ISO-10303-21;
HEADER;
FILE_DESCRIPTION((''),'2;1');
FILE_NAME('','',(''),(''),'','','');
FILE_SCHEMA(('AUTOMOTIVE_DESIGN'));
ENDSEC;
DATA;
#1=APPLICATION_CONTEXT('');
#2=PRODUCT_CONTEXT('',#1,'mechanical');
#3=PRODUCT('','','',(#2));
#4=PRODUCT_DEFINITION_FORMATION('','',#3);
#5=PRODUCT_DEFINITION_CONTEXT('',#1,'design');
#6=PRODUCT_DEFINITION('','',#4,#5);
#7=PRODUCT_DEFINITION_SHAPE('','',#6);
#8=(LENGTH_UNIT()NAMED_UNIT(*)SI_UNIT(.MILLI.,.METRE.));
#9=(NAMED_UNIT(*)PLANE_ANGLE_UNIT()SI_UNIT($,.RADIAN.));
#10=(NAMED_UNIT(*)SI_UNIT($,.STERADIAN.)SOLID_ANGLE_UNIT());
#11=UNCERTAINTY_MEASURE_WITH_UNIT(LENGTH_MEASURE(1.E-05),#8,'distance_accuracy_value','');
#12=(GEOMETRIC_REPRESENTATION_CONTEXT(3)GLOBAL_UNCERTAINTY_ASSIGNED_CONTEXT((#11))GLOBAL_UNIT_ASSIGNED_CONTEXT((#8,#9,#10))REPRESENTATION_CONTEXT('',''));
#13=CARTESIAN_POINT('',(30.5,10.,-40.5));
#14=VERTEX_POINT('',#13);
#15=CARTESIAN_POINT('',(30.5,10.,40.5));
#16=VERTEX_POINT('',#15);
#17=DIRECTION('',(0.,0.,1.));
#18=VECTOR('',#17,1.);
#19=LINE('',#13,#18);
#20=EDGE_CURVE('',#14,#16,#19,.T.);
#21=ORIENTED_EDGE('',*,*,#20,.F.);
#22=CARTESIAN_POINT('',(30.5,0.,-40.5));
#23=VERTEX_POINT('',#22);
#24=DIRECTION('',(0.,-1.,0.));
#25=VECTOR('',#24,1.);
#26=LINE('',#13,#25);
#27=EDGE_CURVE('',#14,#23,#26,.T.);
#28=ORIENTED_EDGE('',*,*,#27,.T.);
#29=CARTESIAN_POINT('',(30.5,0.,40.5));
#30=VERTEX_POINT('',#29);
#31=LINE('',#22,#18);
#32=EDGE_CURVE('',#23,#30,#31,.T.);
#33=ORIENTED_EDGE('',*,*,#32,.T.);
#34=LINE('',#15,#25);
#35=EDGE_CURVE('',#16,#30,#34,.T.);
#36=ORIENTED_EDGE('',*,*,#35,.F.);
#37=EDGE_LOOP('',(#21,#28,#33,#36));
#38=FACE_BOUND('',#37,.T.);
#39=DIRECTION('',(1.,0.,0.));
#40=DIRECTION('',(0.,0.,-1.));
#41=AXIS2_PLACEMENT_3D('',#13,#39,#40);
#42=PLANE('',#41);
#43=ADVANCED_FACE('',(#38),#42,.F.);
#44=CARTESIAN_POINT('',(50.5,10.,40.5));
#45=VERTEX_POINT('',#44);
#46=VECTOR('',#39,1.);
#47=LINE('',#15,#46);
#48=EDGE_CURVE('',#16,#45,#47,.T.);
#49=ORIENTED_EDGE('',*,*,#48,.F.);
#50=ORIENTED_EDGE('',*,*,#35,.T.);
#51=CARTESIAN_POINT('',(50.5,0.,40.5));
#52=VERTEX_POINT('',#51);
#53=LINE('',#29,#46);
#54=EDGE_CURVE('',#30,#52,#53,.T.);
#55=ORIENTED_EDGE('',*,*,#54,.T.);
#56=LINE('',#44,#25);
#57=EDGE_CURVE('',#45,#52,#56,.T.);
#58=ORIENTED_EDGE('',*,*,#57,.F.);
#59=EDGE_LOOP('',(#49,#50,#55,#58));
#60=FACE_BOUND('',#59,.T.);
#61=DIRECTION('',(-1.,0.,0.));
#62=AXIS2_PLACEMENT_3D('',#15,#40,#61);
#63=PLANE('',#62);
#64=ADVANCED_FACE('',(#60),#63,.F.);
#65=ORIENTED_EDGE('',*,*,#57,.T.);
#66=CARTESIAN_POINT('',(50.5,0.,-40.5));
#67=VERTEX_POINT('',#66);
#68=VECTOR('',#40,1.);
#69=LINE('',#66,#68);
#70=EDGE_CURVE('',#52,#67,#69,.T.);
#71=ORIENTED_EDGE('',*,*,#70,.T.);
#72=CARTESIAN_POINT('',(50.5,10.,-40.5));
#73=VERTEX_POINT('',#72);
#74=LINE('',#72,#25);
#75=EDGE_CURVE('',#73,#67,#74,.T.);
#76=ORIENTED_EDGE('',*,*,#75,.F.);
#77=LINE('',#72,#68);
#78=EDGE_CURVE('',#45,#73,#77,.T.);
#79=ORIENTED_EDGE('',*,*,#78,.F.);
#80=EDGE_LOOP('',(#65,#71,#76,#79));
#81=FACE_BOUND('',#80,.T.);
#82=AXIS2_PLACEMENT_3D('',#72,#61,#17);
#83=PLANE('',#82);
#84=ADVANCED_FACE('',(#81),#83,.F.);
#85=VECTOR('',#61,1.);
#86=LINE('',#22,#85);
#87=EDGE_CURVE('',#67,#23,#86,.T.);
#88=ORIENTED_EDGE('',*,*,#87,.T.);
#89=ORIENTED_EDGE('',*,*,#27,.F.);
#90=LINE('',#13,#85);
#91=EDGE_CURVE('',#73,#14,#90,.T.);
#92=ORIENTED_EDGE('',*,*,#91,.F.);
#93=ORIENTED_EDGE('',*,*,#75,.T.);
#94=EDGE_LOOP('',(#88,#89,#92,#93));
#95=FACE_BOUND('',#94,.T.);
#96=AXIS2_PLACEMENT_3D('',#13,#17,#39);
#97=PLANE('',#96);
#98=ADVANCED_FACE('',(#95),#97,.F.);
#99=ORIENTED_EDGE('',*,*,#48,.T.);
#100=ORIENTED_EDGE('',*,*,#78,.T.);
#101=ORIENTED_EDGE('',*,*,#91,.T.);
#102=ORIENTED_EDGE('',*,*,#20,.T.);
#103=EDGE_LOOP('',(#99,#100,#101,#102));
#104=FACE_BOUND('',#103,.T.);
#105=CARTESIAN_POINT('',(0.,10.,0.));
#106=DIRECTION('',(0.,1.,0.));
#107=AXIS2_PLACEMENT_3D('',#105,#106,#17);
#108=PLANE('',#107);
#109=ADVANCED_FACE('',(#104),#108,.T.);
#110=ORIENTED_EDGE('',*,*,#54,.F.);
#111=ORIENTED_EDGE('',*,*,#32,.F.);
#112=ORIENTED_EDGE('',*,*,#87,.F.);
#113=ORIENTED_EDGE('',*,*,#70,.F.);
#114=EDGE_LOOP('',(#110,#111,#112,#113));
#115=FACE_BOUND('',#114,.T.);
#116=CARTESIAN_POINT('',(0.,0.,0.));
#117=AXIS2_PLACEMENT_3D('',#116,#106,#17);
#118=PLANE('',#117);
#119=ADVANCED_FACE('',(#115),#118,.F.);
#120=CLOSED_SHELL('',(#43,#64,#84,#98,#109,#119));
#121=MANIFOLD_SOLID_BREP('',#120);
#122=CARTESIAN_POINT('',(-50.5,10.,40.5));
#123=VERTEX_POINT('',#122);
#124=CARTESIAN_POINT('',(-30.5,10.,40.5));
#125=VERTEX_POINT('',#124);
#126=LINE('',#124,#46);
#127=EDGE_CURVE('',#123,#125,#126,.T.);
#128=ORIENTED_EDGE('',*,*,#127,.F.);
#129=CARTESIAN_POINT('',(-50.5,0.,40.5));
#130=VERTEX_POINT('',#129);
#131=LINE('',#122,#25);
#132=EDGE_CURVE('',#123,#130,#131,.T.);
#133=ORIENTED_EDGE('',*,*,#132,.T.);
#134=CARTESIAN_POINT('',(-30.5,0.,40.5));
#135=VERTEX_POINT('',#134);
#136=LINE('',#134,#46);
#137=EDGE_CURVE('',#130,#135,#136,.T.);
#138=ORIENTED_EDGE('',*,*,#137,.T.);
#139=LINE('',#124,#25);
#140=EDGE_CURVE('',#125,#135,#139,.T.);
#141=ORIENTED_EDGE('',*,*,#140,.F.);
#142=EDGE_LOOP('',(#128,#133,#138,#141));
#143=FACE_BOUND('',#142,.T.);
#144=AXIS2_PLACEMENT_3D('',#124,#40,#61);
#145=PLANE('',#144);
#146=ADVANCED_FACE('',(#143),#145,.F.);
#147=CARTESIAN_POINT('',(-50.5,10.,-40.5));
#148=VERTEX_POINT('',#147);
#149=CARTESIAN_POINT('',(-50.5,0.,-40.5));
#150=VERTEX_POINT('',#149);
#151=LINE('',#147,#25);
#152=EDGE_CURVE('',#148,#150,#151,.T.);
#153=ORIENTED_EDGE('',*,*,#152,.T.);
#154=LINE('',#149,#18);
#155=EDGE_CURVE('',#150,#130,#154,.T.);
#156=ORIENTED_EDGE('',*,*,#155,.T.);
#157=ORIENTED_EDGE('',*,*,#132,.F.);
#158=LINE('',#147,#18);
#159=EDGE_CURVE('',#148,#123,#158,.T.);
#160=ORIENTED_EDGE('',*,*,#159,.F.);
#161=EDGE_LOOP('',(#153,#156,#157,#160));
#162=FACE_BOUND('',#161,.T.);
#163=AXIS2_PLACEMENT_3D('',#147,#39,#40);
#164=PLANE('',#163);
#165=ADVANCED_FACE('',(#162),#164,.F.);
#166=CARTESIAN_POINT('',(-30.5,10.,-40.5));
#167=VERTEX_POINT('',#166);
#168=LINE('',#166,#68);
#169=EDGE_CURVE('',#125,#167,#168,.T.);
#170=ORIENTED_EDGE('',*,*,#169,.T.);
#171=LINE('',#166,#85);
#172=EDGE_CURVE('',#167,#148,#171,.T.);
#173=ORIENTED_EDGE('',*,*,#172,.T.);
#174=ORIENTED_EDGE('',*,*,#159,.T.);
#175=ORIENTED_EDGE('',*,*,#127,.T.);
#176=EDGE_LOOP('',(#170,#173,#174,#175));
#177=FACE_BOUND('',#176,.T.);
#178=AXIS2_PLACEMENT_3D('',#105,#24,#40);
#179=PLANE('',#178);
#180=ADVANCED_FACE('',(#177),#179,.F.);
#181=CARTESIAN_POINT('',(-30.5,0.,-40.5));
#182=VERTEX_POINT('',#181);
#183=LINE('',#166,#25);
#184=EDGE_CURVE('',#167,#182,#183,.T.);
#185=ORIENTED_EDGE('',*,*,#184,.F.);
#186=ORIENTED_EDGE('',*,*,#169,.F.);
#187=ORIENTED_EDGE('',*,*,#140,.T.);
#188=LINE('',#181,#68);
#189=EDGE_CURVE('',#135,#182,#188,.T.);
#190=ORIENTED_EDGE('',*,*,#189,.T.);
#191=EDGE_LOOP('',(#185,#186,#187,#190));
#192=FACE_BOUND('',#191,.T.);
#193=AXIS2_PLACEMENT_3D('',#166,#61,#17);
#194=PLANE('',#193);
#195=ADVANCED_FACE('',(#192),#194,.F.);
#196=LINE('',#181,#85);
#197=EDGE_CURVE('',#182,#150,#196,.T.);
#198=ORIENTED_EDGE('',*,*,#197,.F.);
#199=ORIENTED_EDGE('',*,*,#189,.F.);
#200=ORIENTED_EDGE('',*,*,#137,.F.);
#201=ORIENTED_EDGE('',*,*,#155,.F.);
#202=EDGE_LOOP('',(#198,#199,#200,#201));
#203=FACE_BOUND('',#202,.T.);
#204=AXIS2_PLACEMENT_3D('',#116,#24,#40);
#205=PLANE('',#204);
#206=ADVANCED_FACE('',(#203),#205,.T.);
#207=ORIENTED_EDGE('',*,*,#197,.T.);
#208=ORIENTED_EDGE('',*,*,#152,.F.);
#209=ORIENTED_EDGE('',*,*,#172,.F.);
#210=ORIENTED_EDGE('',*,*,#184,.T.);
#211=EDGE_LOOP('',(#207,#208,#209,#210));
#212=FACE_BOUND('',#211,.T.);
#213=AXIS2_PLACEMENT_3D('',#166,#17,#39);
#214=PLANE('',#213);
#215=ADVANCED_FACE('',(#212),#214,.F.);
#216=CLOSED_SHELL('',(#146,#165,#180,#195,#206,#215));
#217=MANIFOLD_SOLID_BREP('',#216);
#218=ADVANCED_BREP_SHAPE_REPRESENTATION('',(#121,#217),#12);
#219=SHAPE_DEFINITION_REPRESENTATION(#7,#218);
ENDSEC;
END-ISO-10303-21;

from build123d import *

# Parameters (mm, degrees)
SKETCH1_W             = 20
SKETCH1_H             = 81
BOSS_EXTRUDE1_DEPTH   = 10
BOSS_EXTRUDE1_2_DEPTH = 10


with BuildPart() as part:
    # Sketch1 → Boss-Extrude1 (new body)
    with BuildSketch(Plane(origin=(0, 0, 0), x_dir=(1, 0, 0), z_dir=(0, 1, 0))):
        with Locations((-40.5, 0)):
            Rectangle(SKETCH1_W, SKETCH1_H)
    extrude(amount=BOSS_EXTRUDE1_DEPTH)


with BuildPart() as body_2:
    # Sketch1 → Boss-Extrude1 2 (new body)
    with BuildSketch(Plane(origin=(0, 0, 0), x_dir=(1, 0, 0), z_dir=(0, 1, 0))):
        with Locations((40.5, 0)):
            Rectangle(SKETCH1_W, SKETCH1_H)
    extrude(amount=BOSS_EXTRUDE1_2_DEPTH)


solid = Compound([part.part, body_2.part])
